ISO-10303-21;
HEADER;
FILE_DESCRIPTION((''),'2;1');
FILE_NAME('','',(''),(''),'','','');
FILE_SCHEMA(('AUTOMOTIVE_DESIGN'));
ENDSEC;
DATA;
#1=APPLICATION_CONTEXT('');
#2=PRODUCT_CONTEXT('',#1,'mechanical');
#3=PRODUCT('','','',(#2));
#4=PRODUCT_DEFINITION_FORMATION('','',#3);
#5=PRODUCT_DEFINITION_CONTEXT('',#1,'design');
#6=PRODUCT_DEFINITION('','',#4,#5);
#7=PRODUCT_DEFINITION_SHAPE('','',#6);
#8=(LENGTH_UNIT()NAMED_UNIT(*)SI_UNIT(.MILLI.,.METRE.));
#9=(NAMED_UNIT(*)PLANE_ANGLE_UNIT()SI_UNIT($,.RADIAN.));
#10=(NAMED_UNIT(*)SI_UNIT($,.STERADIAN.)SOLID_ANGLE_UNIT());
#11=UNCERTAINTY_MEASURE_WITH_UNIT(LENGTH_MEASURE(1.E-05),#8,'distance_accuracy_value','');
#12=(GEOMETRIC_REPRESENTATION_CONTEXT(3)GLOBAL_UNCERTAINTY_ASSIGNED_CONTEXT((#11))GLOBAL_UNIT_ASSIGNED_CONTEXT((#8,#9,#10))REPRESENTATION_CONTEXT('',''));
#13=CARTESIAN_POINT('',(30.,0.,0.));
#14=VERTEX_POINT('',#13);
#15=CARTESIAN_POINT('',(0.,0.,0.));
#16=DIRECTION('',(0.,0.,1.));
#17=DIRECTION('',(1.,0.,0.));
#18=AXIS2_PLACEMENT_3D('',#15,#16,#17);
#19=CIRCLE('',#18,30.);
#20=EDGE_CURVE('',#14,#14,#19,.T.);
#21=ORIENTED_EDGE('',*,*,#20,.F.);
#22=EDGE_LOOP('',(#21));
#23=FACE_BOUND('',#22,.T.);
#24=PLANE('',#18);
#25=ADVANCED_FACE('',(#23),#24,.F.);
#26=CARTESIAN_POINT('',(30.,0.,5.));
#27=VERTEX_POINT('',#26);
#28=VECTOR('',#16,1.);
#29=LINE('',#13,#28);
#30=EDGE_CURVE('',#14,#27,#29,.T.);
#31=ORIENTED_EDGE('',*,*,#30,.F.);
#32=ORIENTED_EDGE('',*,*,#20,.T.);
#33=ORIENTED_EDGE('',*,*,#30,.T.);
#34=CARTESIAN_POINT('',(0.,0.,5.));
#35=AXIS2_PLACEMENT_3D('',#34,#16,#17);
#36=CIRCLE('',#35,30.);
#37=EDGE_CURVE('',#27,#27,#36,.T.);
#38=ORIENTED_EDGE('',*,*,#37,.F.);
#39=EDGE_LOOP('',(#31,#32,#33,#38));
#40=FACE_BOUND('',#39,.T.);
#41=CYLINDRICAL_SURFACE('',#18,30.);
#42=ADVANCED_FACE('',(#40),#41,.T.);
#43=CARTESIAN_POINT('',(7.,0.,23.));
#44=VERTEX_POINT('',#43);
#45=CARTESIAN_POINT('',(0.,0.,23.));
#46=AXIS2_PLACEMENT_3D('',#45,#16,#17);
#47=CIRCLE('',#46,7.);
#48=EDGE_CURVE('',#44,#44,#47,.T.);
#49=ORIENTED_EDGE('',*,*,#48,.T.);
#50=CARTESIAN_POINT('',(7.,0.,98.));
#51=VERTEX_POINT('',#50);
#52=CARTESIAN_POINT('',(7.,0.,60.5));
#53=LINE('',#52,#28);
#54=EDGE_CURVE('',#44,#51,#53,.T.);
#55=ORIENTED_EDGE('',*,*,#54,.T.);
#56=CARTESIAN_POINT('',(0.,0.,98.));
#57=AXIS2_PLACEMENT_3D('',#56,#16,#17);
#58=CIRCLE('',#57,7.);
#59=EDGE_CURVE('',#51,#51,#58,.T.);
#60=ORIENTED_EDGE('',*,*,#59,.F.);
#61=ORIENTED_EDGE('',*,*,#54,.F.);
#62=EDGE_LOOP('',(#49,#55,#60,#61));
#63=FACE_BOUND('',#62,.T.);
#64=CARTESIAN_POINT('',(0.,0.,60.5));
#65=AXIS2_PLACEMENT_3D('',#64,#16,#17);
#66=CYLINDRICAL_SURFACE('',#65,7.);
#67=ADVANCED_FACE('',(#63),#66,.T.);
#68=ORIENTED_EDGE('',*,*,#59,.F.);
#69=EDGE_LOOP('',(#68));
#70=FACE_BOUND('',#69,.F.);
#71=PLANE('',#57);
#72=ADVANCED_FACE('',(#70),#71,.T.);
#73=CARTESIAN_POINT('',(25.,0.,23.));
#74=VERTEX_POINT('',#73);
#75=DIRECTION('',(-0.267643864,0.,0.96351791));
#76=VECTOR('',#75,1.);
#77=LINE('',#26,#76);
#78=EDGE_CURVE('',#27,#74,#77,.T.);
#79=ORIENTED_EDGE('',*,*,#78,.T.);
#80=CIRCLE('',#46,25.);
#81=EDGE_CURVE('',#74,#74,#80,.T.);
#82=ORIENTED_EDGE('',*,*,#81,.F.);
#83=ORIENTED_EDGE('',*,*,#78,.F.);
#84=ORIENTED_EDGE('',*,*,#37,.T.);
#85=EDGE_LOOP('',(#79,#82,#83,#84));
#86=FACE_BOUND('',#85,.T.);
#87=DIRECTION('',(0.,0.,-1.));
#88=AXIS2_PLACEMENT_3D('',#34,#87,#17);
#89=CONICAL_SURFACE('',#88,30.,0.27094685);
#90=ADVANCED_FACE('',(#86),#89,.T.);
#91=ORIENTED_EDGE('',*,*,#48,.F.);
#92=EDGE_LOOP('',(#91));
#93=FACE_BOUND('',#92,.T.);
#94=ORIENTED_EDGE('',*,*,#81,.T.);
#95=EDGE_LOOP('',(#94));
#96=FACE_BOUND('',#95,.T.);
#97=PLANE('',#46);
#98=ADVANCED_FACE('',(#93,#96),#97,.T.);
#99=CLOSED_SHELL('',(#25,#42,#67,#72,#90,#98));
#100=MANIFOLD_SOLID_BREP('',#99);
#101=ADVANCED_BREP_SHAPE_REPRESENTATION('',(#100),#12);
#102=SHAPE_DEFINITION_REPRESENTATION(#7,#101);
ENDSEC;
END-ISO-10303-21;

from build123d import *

# Parameters (mm, degrees)
F0_W = 7
F0_H = 75


with BuildPart() as f1:
    # F0 (on Front) → F1 (revolve)
    with BuildSketch(Plane.XZ):
        Polygon((0, 23), (0, 0), (30, 0), (30, 5), (25, 23), (7, 23), align=None)
        with Locations((3.5, 60.5)):
            Rectangle(F0_W, F0_H)
    revolve(axis=Axis((0, 0, 49), (0, 0, 1)))


solid = f1.part
